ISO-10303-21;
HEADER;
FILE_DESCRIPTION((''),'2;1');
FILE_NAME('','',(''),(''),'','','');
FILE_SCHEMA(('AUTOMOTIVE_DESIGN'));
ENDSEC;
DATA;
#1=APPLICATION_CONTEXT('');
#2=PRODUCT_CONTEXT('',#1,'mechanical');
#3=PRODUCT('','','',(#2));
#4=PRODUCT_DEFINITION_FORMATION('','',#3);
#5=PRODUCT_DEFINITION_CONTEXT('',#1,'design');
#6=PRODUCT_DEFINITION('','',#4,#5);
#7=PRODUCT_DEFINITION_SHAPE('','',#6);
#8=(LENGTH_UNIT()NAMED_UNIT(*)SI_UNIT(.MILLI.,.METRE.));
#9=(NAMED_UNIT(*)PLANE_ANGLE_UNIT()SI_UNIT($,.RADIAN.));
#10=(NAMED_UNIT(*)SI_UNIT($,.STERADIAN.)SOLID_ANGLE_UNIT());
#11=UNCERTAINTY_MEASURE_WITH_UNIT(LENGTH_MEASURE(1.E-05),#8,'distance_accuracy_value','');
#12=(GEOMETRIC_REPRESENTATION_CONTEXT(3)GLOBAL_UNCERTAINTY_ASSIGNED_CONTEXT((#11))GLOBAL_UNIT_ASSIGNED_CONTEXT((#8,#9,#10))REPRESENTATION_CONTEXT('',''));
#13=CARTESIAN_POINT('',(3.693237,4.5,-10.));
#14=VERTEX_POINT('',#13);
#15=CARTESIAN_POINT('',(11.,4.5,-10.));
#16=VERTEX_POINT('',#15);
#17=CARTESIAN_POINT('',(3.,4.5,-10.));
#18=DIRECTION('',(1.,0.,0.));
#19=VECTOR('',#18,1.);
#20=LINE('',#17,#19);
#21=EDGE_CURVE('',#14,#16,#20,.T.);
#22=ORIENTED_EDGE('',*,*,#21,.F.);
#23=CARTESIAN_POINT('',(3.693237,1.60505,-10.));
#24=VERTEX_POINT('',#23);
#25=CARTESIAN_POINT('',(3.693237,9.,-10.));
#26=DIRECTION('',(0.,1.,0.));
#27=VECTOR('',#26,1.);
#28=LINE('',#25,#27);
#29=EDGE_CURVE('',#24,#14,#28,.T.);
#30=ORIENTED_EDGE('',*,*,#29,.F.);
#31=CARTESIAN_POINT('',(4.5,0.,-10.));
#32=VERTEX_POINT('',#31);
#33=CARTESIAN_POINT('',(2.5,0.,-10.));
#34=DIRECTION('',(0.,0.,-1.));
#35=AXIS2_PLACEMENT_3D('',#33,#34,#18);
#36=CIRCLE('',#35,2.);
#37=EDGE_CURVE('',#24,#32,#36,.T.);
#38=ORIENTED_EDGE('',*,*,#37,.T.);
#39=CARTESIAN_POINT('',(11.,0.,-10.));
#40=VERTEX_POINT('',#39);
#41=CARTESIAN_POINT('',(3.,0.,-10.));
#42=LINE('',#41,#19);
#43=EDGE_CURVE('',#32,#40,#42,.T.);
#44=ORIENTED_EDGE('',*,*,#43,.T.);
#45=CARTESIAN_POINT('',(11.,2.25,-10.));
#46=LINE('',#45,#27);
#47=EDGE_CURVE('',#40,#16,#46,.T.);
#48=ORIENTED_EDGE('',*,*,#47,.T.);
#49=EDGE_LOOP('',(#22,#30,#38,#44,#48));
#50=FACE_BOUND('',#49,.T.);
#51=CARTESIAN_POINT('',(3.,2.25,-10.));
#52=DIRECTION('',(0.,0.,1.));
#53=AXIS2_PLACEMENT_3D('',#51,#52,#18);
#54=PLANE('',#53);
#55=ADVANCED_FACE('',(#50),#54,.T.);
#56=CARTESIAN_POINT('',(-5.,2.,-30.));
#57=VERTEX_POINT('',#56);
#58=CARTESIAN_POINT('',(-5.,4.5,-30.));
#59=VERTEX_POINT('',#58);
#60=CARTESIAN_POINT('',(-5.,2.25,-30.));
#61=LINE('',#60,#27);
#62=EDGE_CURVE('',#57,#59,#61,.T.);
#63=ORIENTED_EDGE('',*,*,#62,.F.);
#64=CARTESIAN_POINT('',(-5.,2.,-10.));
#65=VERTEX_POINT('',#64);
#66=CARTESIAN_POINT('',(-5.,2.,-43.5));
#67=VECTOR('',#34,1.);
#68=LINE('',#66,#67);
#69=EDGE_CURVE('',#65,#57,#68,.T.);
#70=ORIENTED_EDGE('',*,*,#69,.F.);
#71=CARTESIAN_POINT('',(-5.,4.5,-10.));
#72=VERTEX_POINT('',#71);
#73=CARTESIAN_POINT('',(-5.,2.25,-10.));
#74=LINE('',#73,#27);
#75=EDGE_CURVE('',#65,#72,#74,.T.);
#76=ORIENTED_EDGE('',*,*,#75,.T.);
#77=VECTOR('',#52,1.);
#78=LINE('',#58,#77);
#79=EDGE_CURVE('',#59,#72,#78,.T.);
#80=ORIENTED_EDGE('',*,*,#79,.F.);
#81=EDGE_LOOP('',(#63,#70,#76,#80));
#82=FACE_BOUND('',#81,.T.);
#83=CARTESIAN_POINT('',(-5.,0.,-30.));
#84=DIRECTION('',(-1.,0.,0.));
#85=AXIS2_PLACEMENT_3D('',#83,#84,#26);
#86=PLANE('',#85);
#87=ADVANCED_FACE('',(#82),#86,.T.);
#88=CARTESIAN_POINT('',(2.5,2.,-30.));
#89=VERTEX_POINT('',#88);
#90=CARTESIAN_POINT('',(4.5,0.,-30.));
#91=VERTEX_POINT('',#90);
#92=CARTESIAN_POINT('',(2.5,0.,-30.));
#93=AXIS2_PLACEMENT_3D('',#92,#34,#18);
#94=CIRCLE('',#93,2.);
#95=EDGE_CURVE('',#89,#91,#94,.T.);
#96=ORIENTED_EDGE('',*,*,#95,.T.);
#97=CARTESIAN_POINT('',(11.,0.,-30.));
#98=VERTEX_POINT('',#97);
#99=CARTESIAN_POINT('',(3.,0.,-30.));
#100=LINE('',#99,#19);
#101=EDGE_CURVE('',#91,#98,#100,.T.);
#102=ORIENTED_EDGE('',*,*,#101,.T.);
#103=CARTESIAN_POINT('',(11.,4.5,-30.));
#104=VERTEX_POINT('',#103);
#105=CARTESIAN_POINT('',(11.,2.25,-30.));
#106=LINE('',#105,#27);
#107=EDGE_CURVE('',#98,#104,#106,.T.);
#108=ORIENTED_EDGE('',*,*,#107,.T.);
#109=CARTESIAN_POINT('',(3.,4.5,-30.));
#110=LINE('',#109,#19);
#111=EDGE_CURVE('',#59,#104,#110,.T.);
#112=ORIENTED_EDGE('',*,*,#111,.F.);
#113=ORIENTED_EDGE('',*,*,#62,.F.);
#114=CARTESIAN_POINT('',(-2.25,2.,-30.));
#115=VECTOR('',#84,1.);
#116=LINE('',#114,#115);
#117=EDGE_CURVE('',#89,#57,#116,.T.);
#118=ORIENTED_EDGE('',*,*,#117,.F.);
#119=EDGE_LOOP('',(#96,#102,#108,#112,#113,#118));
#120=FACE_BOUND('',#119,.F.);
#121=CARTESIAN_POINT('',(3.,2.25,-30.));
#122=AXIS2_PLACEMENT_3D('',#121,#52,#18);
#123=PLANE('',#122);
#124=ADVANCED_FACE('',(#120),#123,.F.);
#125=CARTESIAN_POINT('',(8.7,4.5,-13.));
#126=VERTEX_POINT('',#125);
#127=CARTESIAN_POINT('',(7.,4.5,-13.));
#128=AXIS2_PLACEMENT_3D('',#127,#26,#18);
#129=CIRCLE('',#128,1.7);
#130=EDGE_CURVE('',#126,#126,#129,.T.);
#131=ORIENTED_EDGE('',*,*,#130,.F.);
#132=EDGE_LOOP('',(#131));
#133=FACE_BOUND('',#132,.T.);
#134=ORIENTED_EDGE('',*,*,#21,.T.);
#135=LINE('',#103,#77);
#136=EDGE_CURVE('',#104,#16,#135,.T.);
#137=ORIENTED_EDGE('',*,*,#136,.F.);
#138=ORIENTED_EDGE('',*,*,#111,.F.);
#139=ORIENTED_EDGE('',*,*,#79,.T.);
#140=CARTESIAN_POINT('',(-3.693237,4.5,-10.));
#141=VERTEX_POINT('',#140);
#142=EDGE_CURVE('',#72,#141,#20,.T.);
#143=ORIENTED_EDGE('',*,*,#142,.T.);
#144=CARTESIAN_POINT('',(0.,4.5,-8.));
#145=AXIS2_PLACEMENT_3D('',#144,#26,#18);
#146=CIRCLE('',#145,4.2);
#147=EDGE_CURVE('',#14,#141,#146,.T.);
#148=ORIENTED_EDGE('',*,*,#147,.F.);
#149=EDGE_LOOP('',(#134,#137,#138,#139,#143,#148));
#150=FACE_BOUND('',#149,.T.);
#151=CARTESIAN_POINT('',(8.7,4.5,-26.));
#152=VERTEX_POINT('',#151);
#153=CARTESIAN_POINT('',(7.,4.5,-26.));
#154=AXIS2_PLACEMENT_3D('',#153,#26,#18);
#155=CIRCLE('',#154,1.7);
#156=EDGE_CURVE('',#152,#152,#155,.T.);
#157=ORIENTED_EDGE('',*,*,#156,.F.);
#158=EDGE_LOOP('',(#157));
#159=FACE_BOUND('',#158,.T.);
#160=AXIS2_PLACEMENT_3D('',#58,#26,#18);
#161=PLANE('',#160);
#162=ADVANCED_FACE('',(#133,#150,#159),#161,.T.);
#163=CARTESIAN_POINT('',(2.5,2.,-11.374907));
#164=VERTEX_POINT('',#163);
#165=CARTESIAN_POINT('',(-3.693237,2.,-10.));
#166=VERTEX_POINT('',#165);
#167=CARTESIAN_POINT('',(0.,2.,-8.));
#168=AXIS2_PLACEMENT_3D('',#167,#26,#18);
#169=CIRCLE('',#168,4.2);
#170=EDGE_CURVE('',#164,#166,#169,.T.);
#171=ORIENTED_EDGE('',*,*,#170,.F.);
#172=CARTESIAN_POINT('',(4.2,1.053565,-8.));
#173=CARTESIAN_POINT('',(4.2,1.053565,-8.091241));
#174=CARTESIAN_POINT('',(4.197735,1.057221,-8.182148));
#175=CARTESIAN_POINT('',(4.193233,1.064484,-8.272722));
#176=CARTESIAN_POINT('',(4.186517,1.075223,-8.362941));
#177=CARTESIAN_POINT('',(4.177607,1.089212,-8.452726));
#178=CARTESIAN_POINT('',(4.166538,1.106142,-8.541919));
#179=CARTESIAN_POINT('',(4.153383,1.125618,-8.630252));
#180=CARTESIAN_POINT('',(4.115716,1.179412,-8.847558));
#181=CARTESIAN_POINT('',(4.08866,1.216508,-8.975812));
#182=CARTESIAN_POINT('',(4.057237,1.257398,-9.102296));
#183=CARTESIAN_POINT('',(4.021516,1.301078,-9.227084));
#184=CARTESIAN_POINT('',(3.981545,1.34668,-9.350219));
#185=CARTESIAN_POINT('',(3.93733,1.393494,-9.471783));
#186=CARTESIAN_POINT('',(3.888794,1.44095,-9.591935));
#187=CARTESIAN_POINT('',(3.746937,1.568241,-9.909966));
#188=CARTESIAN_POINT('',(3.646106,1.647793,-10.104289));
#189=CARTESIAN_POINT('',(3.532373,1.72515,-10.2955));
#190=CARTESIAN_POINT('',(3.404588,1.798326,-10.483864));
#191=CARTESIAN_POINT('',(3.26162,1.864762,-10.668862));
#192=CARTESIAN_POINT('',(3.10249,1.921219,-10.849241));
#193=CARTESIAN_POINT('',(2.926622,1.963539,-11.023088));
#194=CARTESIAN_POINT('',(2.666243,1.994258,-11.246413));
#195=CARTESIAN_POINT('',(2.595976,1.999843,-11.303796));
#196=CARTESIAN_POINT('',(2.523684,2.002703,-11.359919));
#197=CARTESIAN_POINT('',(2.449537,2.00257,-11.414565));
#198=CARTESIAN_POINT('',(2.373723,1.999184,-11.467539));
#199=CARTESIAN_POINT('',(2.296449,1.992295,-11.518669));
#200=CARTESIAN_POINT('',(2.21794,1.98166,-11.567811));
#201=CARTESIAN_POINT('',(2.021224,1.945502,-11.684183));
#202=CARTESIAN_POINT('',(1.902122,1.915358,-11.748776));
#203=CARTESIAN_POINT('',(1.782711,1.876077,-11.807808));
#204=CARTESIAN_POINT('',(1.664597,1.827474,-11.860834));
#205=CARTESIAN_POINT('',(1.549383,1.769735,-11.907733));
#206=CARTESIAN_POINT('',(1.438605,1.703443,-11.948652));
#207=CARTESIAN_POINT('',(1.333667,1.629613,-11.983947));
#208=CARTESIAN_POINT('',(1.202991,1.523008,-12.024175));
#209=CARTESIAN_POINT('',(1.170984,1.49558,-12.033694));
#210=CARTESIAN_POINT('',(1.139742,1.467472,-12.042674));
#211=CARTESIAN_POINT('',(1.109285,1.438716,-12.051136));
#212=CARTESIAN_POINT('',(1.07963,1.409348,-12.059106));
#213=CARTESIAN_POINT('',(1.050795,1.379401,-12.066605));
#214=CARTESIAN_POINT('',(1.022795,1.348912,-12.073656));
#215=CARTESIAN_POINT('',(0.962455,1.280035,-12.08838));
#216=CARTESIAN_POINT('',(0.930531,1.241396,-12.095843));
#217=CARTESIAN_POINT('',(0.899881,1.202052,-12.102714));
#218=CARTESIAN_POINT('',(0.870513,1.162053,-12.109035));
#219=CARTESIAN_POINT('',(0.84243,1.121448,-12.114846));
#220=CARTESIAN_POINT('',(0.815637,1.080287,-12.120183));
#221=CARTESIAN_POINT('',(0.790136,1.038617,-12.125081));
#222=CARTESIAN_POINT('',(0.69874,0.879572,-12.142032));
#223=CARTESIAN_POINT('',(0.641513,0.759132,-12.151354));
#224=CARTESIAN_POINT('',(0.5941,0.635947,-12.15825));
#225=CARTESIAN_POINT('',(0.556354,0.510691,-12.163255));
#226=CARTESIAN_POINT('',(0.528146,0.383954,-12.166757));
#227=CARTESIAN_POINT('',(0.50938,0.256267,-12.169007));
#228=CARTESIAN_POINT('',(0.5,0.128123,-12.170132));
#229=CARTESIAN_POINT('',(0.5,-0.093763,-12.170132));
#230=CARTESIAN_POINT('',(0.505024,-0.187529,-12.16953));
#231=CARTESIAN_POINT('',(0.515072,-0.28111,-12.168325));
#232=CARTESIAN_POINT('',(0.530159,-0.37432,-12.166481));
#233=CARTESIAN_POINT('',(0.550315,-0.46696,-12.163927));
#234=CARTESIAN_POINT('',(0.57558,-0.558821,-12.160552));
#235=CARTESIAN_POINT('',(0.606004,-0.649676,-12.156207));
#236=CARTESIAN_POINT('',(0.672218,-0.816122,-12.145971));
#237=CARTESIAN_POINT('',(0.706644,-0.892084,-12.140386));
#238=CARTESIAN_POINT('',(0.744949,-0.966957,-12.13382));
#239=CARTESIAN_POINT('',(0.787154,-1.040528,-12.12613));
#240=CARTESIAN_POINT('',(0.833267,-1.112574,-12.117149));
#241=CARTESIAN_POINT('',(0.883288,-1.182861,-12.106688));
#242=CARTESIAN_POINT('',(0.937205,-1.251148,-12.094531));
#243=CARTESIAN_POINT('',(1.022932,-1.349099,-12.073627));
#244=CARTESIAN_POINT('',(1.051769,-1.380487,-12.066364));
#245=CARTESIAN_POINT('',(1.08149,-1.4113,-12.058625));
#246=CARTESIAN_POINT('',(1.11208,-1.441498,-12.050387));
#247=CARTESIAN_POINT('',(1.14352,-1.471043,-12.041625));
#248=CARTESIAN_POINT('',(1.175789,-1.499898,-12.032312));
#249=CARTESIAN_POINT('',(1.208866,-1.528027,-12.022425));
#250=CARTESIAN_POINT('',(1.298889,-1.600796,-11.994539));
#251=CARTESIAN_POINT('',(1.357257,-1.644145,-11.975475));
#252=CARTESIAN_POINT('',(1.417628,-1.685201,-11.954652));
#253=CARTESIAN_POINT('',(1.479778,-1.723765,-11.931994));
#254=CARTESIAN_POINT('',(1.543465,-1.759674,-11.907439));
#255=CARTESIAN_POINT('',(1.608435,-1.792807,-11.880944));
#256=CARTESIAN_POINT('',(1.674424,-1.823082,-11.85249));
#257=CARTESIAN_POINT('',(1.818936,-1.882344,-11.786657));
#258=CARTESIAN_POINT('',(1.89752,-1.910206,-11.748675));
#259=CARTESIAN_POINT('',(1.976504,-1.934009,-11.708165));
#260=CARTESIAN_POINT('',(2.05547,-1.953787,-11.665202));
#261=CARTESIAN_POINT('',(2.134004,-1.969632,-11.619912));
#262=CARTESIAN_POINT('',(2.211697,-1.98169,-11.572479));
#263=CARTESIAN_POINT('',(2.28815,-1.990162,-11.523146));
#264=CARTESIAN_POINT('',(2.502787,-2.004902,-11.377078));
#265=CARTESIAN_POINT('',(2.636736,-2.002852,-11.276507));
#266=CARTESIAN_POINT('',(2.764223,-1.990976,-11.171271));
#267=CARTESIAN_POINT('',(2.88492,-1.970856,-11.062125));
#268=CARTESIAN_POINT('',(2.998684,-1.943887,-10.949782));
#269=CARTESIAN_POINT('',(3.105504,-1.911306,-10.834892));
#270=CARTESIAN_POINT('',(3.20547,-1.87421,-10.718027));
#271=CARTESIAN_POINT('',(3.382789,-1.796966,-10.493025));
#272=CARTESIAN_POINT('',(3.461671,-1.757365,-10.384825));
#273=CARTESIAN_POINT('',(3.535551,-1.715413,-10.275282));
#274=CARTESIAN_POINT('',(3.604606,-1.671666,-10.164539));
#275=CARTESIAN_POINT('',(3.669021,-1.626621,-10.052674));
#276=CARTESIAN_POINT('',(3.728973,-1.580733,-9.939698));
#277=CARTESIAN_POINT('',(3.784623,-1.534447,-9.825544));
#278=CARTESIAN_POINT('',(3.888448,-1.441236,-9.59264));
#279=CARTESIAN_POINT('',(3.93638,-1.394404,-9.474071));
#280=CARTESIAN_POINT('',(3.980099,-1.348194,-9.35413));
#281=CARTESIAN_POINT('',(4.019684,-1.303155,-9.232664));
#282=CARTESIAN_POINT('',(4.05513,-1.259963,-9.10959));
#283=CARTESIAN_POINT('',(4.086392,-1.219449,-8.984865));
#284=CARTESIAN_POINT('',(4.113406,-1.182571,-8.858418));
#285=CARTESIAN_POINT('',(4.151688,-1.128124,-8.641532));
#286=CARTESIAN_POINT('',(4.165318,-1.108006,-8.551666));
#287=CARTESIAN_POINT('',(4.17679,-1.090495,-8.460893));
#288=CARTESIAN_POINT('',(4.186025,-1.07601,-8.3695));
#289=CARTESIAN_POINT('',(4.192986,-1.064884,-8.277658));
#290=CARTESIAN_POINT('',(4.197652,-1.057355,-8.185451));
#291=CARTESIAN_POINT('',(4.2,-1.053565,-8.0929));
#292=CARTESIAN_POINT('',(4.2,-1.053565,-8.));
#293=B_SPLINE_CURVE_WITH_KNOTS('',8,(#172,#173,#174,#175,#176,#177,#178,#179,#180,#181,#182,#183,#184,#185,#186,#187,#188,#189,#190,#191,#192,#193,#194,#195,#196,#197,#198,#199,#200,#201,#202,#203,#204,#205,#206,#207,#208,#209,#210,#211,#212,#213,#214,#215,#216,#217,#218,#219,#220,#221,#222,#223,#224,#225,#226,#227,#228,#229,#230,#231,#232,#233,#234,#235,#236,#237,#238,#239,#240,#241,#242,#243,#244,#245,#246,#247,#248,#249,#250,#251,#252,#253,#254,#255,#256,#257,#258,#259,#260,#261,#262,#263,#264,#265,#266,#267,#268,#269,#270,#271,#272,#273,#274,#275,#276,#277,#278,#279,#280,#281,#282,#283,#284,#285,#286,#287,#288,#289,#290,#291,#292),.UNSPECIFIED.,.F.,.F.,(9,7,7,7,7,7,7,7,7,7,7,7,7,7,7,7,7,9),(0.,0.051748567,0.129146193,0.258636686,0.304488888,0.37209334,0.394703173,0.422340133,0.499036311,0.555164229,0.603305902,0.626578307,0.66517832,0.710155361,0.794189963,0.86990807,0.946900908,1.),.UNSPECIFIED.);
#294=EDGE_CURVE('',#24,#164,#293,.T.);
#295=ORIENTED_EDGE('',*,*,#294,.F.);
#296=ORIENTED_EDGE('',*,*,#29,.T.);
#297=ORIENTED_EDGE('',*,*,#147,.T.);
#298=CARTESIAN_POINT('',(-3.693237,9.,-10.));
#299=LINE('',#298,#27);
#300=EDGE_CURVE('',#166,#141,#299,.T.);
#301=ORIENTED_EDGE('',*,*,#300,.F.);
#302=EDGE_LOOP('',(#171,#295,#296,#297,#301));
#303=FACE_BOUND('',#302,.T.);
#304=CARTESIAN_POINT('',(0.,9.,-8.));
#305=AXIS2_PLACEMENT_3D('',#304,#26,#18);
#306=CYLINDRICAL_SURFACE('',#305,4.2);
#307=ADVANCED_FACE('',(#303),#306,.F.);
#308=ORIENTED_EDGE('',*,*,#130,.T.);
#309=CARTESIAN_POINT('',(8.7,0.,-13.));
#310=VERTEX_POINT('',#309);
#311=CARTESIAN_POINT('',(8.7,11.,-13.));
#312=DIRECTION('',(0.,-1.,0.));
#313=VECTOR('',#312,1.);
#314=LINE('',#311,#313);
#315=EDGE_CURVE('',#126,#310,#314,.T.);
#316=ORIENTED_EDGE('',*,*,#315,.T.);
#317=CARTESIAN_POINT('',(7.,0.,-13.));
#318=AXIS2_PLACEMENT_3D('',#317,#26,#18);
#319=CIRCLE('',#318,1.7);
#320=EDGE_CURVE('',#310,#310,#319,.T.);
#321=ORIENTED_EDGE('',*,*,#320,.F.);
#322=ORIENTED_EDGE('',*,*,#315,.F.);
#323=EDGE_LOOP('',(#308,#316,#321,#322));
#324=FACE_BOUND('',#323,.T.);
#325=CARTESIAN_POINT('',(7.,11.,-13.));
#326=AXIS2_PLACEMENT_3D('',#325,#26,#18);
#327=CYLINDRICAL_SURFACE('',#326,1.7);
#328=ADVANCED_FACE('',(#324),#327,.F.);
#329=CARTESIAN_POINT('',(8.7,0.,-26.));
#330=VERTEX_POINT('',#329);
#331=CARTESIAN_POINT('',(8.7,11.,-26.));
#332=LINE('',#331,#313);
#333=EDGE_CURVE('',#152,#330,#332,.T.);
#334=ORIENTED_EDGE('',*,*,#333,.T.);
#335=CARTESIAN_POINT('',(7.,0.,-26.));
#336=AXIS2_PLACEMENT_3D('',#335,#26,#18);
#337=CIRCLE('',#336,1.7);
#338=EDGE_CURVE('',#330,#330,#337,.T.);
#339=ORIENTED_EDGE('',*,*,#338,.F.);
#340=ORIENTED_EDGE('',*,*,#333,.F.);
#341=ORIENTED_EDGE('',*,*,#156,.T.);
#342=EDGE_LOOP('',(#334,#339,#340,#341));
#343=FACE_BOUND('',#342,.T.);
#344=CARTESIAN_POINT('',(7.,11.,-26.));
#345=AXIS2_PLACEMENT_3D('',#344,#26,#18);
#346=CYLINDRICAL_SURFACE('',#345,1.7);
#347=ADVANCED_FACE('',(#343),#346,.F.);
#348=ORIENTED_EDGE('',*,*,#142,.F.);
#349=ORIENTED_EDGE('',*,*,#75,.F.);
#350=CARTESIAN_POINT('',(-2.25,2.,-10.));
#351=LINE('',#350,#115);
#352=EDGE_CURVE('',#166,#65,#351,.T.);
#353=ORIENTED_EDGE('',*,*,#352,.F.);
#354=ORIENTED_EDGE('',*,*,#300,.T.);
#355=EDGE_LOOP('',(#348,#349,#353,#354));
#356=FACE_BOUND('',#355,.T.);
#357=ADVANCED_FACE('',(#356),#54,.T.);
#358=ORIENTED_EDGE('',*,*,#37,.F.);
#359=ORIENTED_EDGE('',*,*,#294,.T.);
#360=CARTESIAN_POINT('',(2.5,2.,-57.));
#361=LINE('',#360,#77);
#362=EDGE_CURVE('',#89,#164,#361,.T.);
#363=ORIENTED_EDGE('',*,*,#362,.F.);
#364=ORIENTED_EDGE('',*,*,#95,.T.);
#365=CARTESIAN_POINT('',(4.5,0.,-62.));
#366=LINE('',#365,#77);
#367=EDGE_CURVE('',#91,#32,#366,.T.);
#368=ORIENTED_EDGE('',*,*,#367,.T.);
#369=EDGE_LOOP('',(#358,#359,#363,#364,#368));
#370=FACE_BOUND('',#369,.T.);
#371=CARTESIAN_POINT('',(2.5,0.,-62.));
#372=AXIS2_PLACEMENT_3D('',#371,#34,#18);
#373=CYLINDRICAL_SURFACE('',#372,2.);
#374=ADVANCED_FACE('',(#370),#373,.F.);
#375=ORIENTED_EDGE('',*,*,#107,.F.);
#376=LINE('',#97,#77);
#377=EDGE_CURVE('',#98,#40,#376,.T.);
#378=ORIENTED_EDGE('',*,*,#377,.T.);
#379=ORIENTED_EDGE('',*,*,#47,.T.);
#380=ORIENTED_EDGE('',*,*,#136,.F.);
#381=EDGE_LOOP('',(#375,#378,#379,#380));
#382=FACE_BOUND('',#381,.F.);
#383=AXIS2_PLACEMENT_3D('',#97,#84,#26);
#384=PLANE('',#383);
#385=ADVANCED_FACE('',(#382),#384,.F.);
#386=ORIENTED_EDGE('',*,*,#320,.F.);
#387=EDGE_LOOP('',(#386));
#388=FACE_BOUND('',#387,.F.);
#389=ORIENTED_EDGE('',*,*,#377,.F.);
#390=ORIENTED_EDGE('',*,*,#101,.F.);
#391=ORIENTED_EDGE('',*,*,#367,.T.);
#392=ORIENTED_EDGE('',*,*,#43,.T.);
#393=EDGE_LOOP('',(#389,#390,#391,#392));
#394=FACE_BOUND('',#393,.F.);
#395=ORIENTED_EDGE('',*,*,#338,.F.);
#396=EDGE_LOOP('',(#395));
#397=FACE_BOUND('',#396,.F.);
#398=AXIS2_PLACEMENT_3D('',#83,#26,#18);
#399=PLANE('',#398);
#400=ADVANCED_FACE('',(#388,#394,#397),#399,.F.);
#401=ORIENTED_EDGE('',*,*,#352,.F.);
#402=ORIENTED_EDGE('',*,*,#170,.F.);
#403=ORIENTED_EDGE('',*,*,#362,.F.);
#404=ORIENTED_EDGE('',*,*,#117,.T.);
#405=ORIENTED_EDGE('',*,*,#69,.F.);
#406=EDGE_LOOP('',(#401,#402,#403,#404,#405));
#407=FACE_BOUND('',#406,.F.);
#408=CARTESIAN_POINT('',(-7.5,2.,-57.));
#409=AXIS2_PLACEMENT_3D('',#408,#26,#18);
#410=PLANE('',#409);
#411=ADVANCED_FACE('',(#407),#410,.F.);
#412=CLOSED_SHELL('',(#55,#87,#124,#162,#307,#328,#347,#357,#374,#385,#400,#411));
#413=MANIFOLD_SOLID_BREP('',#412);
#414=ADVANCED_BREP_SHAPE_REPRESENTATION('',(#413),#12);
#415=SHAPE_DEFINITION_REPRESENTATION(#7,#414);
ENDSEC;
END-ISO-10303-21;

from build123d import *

# Parameters (mm, degrees)
CYLINDER235_R          = 4.2
CYLINDER235_DEPTH      = 18
CYLINDER235_ROLL_ANGLE = 90
CYLINDER237_R          = 1.7
CYLINDER237_DEPTH      = 20
CYLINDER237_ROLL_ANGLE = 90
CYLINDER236_R          = 1.7
CYLINDER236_DEPTH      = 20
CYLINDER236_ROLL_ANGLE = 90
BOX001027045178_W      = 10
BOX001027045178_H      = 4
BOX001027045178_DEPTH  = 60
CYLINDER234_R          = 2
CYLINDER234_DEPTH      = 74
BOX001027045177_W      = 16
BOX001027045177_H      = 4.5
BOX001027045177_DEPTH  = 20


with BuildPart() as rocker_cut004:
    # Cylinder235 → Cylinder235 (new body)
    with BuildSketch(Plane.XY):
        Circle(CYLINDER235_R)
    extrude(amount=CYLINDER235_DEPTH)


with BuildPart() as rocker_cut004_1:
    # Cylinder235 roll: moved
    add(rocker_cut004.part.rotate(Axis((0, 0, 0), (1, 0, 0)), CYLINDER235_ROLL_ANGLE))


with BuildPart() as rocker_cut004_2:
    # Cylinder235 placement: moved
    add(rocker_cut004_1.part.moved(Location((0, 9, -8))))


with BuildPart() as cylinder264:
    # Cylinder237 → Cylinder237 (new body)
    with BuildSketch(Plane.XY):
        Circle(CYLINDER237_R)
    extrude(amount=CYLINDER237_DEPTH)


with BuildPart() as cylinder264_1:
    # Cylinder237 roll: moved
    add(cylinder264.part.rotate(Axis((0, 0, 0), (1, 0, 0)), CYLINDER237_ROLL_ANGLE))


with BuildPart() as cylinder264_2:
    # Cylinder237 placement: moved
    add(cylinder264_1.part.moved(Location((7, 11, -13))))


with BuildPart() as top_slot_m3_clearance001:
    # Cylinder236 → Cylinder236 (new body)
    with BuildSketch(Plane.XY):
        Circle(CYLINDER236_R)
    extrude(amount=CYLINDER236_DEPTH)


with BuildPart() as top_slot_m3_clearance001_1:
    # Cylinder236 roll: moved
    add(top_slot_m3_clearance001.part.rotate(Axis((0, 0, 0), (1, 0, 0)), CYLINDER236_ROLL_ANGLE))


with BuildPart() as top_slot_m3_clearance001_2:
    # Cylinder236 placement: moved
    add(top_slot_m3_clearance001_1.part.moved(Location((7, 11, -26))))

    # Fusion112126: union Cylinder264
    add(cylinder264_2.part)


with BuildPart() as cube226:
    # Box001027045178 → Box001027045178 (new body)
    with BuildSketch(Plane(origin=(-10, -2, -57), x_dir=(1, 0, 0), z_dir=(0, 0, 1))):
        with Locations((5, 2)):
            Rectangle(BOX001027045178_W, BOX001027045178_H)
    extrude(amount=BOX001027045178_DEPTH)


with BuildPart() as plate_cuts:
    # Cylinder234 → Cylinder234 (new body)
    with BuildSketch(Plane.XY.offset(-62)):
        Circle(CYLINDER234_R)
    extrude(amount=CYLINDER234_DEPTH)

    # Fusion112125: union Cube226
    add(cube226.part)


with BuildPart() as plate_cuts_1:
    # Fusion112125 placement: moved
    add(plate_cuts.part.moved(Location((2.5, 0, 0))))

    # Fusion112127: union rocker-cut004, top-slot-m3-clearance001
    add(rocker_cut004_2.part)
    add(top_slot_m3_clearance001_2.part)


with BuildPart() as top_slot_plate:
    # Box001027045177 → Box001027045177 (new body)
    with BuildSketch(Plane(origin=(-5, 0, -30), x_dir=(1, 0, 0), z_dir=(0, 0, 1))):
        with Locations((8, 2.25)):
            Rectangle(BOX001027045177_W, BOX001027045177_H)
    extrude(amount=BOX001027045177_DEPTH)

    # Cut217: cut plate-cuts
    add(plate_cuts_1.part, mode=Mode.SUBTRACT)


solid = top_slot_plate.part
